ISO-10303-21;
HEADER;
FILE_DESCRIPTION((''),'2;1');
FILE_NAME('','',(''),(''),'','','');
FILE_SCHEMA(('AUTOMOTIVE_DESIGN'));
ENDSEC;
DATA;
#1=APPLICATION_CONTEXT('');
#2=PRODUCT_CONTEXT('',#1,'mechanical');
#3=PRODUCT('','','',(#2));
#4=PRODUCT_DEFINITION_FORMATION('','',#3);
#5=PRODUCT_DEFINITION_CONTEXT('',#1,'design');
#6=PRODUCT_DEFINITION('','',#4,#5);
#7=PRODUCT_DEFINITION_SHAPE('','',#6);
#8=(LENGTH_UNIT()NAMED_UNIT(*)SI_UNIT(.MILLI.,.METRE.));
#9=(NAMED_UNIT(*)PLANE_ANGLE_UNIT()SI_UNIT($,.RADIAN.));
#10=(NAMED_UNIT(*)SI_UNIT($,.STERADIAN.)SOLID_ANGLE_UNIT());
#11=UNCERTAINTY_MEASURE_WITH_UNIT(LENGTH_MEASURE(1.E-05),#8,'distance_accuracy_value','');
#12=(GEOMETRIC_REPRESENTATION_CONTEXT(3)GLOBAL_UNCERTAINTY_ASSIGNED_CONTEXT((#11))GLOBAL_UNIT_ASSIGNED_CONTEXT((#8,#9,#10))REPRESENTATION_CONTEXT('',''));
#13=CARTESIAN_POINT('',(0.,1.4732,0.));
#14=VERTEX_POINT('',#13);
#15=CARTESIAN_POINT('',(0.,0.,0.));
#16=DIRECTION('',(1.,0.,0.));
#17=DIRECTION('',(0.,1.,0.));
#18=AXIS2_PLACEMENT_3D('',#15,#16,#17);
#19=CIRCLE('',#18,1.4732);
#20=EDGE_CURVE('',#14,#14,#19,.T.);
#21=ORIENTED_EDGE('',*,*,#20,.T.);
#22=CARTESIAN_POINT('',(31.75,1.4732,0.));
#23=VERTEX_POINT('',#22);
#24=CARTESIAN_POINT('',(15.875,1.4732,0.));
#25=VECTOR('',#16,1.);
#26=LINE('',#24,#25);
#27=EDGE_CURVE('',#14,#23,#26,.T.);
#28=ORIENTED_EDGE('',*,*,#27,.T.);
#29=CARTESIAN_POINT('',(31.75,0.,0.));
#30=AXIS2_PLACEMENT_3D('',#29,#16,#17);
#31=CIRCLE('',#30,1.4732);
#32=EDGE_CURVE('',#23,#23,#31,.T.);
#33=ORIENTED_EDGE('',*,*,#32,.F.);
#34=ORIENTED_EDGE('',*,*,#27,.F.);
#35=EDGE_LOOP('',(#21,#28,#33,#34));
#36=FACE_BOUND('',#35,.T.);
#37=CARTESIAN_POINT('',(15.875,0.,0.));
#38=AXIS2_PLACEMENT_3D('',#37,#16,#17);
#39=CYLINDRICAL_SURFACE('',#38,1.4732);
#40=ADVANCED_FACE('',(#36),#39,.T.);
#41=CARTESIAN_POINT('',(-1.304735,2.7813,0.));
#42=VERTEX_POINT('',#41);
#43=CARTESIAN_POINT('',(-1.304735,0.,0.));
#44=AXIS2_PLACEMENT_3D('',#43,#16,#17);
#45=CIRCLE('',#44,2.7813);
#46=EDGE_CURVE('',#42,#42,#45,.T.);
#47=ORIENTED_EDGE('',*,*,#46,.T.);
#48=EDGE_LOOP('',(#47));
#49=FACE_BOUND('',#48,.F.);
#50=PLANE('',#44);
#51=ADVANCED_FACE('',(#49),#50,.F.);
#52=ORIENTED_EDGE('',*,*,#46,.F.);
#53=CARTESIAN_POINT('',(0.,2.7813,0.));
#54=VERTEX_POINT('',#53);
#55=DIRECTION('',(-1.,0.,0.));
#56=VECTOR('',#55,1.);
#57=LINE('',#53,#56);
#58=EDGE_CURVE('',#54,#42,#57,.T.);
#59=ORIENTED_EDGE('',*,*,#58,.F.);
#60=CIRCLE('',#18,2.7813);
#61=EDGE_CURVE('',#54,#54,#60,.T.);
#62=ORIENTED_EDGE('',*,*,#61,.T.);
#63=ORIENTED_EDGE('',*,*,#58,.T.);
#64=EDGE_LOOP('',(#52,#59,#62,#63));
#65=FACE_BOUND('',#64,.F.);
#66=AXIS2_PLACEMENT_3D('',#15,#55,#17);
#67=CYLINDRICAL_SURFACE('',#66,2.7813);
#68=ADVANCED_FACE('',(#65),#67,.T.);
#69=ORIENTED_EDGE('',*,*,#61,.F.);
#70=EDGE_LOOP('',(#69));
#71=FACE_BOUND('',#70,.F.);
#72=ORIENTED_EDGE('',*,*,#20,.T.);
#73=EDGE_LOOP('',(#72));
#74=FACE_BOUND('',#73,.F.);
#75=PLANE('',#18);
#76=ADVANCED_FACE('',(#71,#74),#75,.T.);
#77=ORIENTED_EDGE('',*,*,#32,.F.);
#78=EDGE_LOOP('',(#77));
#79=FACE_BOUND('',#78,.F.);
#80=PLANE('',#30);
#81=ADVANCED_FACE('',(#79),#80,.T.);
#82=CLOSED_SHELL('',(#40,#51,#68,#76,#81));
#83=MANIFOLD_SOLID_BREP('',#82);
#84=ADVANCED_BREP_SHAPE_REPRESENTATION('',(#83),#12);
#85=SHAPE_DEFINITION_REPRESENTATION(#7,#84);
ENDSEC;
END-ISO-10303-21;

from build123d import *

# Parameters (mm, degrees)
F0_W = 31.75
F0_H = 1.4732


with BuildPart() as f1:
    # F0 (on Top) → F1 (revolve)
    with BuildSketch(Plane.XY):
        Polygon((-1.304735, 0), (0, 0), (0, 1.4732), (0, 2.7813), (-1.304735, 2.7813), align=None)
        with Locations((15.875, 0.7366)):
            Rectangle(F0_W, F0_H)
    revolve(axis=Axis((15.875, 0, 0), (1, 0, 0)))


solid = f1.part
